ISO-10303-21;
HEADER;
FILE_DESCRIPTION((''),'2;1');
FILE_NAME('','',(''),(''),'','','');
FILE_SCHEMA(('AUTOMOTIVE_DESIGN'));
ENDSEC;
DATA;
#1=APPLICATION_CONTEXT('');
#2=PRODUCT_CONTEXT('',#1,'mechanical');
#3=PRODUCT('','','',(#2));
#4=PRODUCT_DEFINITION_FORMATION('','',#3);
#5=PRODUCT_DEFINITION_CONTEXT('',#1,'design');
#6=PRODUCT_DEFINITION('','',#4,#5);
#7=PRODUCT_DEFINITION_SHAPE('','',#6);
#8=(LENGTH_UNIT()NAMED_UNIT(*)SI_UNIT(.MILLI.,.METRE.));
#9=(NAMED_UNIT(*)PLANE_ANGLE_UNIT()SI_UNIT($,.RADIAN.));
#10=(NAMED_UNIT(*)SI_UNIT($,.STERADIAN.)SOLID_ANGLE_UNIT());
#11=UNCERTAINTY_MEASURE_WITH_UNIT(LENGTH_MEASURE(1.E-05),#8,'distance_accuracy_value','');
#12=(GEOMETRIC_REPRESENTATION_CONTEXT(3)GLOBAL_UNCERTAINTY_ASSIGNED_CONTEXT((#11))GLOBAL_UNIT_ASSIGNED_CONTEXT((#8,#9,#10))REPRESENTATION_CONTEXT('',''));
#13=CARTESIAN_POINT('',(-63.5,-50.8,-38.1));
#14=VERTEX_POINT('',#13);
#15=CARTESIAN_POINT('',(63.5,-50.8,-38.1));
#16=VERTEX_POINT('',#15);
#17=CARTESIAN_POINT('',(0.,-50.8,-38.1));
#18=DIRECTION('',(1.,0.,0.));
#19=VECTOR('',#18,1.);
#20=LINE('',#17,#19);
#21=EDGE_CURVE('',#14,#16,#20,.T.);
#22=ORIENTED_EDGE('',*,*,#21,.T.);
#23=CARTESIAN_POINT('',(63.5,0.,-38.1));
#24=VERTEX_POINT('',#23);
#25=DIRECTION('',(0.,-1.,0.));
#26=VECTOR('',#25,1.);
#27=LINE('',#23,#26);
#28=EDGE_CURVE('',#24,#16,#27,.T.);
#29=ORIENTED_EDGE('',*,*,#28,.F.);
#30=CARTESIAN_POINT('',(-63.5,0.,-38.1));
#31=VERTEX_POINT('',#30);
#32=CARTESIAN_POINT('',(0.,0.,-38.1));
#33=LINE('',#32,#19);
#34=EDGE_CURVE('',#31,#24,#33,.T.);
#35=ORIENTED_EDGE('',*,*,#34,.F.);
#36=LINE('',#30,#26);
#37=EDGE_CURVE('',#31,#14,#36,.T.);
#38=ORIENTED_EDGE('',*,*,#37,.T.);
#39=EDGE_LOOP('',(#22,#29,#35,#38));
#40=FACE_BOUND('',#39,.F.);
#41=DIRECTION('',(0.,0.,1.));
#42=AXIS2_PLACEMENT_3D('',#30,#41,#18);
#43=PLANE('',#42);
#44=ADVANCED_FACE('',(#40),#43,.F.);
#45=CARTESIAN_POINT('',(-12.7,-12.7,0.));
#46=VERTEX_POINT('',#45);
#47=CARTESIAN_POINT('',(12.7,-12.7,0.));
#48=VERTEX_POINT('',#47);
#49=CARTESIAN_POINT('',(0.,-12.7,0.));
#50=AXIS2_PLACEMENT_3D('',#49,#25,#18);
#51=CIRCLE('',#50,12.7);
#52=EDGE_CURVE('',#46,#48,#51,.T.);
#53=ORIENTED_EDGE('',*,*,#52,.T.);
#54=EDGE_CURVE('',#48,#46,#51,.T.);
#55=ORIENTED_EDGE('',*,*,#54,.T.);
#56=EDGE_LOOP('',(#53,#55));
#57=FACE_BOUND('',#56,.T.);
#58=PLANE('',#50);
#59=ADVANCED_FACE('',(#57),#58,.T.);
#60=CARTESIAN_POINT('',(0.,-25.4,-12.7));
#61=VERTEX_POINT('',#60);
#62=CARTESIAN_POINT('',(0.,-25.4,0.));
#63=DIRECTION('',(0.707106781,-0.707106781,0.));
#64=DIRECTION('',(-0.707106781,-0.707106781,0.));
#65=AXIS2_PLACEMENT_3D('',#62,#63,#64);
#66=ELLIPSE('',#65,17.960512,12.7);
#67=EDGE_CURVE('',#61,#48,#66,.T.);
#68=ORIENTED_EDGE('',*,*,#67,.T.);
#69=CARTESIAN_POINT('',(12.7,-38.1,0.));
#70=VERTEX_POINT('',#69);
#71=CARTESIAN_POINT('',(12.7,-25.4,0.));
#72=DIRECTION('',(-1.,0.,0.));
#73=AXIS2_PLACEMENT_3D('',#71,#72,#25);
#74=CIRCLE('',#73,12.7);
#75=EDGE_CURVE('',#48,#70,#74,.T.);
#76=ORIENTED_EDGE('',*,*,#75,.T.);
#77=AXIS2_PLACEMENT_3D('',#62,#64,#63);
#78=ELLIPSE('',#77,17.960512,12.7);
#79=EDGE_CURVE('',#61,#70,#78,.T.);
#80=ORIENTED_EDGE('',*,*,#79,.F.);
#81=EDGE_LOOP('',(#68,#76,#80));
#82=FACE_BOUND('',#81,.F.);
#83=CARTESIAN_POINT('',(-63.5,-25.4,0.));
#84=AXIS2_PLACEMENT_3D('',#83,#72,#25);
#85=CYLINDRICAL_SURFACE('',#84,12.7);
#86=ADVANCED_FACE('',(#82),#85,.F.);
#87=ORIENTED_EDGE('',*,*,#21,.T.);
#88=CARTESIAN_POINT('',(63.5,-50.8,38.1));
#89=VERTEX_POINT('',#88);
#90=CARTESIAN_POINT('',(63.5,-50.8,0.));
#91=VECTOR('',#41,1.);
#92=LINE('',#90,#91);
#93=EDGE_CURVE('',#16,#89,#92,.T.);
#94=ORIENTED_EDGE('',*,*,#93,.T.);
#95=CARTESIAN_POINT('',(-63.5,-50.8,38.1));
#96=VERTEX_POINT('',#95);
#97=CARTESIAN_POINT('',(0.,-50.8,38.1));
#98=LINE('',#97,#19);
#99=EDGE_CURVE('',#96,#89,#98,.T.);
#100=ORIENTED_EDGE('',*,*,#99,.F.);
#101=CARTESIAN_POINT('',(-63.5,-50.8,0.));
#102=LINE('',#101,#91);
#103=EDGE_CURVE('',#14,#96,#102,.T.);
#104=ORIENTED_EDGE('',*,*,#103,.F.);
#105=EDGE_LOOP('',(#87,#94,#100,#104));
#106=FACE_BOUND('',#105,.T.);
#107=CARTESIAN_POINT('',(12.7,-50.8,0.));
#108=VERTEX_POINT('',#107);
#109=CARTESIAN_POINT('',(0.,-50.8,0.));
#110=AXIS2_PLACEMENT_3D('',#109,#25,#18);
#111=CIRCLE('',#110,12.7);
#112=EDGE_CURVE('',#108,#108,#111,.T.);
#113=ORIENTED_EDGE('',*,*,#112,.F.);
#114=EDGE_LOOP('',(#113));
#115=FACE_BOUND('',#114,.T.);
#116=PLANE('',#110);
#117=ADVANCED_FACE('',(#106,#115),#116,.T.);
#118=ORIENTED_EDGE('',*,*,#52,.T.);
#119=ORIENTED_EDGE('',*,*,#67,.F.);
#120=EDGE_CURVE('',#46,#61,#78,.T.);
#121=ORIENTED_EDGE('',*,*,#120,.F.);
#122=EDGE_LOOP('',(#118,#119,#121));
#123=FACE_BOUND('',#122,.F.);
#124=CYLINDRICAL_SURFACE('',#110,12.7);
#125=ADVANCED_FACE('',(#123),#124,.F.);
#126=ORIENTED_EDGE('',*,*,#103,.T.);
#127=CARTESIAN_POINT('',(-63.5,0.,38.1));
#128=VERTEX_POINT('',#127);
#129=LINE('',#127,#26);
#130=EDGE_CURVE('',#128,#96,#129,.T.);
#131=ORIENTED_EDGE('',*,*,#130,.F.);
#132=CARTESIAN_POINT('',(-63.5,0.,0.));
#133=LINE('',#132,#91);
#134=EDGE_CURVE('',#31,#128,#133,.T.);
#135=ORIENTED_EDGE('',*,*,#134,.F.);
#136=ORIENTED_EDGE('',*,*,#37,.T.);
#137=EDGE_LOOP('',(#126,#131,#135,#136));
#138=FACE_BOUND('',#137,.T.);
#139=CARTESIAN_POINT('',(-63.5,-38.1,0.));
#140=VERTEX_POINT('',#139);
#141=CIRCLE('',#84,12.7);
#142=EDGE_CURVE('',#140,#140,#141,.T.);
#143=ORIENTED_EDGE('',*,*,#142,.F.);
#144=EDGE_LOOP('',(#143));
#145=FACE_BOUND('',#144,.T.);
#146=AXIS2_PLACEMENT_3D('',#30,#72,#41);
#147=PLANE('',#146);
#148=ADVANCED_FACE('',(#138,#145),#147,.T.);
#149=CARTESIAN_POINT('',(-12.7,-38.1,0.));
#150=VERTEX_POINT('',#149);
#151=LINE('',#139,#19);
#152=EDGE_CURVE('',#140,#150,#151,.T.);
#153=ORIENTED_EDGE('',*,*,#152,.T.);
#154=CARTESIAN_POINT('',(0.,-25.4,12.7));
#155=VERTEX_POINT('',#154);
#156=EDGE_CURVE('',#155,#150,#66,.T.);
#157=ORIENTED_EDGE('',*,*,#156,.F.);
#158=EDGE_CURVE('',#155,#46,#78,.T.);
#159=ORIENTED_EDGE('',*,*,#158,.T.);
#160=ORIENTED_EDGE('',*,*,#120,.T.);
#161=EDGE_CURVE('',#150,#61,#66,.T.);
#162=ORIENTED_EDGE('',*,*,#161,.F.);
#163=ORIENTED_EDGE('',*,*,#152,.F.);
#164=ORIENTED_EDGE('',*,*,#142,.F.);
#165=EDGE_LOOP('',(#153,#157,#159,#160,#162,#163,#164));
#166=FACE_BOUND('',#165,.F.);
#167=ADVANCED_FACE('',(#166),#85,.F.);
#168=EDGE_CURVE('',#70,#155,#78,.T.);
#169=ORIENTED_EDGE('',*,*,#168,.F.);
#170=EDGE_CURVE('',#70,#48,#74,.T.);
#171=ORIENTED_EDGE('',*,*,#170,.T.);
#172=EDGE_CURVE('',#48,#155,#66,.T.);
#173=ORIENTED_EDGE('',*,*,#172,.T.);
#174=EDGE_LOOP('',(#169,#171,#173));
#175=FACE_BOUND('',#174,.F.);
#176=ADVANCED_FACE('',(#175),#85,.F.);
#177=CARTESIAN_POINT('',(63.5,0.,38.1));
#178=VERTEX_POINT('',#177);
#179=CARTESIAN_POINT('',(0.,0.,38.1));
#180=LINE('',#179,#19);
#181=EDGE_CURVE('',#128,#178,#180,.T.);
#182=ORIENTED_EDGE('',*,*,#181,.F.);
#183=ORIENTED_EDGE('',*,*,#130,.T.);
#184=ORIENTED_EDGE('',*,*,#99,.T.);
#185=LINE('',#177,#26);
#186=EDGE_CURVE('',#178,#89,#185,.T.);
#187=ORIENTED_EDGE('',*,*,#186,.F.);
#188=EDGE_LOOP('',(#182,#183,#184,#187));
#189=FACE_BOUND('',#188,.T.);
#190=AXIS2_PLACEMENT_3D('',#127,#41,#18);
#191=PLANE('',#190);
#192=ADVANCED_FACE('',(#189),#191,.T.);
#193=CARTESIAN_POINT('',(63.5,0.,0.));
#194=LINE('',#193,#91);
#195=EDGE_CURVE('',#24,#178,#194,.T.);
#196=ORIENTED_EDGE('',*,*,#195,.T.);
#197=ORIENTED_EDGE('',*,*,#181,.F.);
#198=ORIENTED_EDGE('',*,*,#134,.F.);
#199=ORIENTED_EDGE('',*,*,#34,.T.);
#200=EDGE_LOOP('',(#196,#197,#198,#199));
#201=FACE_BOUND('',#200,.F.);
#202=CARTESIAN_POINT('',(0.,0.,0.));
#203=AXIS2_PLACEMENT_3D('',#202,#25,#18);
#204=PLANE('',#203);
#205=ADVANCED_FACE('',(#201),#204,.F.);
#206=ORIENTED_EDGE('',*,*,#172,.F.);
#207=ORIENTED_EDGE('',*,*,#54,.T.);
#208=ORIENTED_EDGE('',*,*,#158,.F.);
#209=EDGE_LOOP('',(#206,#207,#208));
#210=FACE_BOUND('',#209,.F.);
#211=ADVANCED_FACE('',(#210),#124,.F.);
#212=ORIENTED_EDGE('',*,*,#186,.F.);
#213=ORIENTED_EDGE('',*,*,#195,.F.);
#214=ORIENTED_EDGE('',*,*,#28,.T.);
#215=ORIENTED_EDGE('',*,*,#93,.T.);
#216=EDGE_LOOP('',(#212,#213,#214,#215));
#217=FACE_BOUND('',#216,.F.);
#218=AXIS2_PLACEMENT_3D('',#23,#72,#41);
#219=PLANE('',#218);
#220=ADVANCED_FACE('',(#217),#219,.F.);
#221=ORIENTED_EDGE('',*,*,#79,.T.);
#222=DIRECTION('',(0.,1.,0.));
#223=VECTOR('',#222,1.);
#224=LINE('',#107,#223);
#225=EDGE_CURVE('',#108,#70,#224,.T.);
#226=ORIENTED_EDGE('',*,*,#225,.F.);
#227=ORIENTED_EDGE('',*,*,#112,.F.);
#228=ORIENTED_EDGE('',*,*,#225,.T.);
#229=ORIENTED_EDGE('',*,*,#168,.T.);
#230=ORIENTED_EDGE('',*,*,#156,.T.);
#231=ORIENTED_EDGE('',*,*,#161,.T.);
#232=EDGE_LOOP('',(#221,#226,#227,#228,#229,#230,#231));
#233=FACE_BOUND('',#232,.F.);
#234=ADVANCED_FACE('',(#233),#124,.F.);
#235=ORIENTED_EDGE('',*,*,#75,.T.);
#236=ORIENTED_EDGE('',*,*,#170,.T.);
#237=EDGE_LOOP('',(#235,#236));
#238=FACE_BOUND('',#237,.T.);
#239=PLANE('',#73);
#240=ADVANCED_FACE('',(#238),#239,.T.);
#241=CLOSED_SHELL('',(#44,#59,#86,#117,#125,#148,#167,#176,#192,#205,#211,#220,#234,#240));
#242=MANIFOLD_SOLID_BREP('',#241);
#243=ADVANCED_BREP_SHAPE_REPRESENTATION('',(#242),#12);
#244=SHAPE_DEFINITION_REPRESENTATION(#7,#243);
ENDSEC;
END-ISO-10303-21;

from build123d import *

# Parameters (mm, degrees)
F0_W     = 127
F0_H     = 76.2
F1_DEPTH = 50.8
F2_R     = 12.7
F3_DEPTH = 38.1
F4_R     = 12.7
F5_DEPTH = 76.2


with BuildPart() as f1:
    # F0 (on Front) → F1 (new body)
    with BuildSketch(Plane.XZ):
        Rectangle(F0_W, F0_H)
    extrude(amount=F1_DEPTH)

    # F2 (on face) → F3 (cut)
    with BuildSketch(Plane.XZ.offset(50.8)):
        Circle(F2_R)
    extrude(amount=-F3_DEPTH, mode=Mode.SUBTRACT)

    # F4 (on face) → F5 (cut)
    with BuildSketch(Plane(origin=(-63.5, 0, 0), x_dir=(0, -1, 0), z_dir=(-1, 0, 0))):
        with Locations((25.4, 0)):
            Circle(F4_R)
    extrude(amount=-F5_DEPTH, mode=Mode.SUBTRACT)


solid = f1.part
